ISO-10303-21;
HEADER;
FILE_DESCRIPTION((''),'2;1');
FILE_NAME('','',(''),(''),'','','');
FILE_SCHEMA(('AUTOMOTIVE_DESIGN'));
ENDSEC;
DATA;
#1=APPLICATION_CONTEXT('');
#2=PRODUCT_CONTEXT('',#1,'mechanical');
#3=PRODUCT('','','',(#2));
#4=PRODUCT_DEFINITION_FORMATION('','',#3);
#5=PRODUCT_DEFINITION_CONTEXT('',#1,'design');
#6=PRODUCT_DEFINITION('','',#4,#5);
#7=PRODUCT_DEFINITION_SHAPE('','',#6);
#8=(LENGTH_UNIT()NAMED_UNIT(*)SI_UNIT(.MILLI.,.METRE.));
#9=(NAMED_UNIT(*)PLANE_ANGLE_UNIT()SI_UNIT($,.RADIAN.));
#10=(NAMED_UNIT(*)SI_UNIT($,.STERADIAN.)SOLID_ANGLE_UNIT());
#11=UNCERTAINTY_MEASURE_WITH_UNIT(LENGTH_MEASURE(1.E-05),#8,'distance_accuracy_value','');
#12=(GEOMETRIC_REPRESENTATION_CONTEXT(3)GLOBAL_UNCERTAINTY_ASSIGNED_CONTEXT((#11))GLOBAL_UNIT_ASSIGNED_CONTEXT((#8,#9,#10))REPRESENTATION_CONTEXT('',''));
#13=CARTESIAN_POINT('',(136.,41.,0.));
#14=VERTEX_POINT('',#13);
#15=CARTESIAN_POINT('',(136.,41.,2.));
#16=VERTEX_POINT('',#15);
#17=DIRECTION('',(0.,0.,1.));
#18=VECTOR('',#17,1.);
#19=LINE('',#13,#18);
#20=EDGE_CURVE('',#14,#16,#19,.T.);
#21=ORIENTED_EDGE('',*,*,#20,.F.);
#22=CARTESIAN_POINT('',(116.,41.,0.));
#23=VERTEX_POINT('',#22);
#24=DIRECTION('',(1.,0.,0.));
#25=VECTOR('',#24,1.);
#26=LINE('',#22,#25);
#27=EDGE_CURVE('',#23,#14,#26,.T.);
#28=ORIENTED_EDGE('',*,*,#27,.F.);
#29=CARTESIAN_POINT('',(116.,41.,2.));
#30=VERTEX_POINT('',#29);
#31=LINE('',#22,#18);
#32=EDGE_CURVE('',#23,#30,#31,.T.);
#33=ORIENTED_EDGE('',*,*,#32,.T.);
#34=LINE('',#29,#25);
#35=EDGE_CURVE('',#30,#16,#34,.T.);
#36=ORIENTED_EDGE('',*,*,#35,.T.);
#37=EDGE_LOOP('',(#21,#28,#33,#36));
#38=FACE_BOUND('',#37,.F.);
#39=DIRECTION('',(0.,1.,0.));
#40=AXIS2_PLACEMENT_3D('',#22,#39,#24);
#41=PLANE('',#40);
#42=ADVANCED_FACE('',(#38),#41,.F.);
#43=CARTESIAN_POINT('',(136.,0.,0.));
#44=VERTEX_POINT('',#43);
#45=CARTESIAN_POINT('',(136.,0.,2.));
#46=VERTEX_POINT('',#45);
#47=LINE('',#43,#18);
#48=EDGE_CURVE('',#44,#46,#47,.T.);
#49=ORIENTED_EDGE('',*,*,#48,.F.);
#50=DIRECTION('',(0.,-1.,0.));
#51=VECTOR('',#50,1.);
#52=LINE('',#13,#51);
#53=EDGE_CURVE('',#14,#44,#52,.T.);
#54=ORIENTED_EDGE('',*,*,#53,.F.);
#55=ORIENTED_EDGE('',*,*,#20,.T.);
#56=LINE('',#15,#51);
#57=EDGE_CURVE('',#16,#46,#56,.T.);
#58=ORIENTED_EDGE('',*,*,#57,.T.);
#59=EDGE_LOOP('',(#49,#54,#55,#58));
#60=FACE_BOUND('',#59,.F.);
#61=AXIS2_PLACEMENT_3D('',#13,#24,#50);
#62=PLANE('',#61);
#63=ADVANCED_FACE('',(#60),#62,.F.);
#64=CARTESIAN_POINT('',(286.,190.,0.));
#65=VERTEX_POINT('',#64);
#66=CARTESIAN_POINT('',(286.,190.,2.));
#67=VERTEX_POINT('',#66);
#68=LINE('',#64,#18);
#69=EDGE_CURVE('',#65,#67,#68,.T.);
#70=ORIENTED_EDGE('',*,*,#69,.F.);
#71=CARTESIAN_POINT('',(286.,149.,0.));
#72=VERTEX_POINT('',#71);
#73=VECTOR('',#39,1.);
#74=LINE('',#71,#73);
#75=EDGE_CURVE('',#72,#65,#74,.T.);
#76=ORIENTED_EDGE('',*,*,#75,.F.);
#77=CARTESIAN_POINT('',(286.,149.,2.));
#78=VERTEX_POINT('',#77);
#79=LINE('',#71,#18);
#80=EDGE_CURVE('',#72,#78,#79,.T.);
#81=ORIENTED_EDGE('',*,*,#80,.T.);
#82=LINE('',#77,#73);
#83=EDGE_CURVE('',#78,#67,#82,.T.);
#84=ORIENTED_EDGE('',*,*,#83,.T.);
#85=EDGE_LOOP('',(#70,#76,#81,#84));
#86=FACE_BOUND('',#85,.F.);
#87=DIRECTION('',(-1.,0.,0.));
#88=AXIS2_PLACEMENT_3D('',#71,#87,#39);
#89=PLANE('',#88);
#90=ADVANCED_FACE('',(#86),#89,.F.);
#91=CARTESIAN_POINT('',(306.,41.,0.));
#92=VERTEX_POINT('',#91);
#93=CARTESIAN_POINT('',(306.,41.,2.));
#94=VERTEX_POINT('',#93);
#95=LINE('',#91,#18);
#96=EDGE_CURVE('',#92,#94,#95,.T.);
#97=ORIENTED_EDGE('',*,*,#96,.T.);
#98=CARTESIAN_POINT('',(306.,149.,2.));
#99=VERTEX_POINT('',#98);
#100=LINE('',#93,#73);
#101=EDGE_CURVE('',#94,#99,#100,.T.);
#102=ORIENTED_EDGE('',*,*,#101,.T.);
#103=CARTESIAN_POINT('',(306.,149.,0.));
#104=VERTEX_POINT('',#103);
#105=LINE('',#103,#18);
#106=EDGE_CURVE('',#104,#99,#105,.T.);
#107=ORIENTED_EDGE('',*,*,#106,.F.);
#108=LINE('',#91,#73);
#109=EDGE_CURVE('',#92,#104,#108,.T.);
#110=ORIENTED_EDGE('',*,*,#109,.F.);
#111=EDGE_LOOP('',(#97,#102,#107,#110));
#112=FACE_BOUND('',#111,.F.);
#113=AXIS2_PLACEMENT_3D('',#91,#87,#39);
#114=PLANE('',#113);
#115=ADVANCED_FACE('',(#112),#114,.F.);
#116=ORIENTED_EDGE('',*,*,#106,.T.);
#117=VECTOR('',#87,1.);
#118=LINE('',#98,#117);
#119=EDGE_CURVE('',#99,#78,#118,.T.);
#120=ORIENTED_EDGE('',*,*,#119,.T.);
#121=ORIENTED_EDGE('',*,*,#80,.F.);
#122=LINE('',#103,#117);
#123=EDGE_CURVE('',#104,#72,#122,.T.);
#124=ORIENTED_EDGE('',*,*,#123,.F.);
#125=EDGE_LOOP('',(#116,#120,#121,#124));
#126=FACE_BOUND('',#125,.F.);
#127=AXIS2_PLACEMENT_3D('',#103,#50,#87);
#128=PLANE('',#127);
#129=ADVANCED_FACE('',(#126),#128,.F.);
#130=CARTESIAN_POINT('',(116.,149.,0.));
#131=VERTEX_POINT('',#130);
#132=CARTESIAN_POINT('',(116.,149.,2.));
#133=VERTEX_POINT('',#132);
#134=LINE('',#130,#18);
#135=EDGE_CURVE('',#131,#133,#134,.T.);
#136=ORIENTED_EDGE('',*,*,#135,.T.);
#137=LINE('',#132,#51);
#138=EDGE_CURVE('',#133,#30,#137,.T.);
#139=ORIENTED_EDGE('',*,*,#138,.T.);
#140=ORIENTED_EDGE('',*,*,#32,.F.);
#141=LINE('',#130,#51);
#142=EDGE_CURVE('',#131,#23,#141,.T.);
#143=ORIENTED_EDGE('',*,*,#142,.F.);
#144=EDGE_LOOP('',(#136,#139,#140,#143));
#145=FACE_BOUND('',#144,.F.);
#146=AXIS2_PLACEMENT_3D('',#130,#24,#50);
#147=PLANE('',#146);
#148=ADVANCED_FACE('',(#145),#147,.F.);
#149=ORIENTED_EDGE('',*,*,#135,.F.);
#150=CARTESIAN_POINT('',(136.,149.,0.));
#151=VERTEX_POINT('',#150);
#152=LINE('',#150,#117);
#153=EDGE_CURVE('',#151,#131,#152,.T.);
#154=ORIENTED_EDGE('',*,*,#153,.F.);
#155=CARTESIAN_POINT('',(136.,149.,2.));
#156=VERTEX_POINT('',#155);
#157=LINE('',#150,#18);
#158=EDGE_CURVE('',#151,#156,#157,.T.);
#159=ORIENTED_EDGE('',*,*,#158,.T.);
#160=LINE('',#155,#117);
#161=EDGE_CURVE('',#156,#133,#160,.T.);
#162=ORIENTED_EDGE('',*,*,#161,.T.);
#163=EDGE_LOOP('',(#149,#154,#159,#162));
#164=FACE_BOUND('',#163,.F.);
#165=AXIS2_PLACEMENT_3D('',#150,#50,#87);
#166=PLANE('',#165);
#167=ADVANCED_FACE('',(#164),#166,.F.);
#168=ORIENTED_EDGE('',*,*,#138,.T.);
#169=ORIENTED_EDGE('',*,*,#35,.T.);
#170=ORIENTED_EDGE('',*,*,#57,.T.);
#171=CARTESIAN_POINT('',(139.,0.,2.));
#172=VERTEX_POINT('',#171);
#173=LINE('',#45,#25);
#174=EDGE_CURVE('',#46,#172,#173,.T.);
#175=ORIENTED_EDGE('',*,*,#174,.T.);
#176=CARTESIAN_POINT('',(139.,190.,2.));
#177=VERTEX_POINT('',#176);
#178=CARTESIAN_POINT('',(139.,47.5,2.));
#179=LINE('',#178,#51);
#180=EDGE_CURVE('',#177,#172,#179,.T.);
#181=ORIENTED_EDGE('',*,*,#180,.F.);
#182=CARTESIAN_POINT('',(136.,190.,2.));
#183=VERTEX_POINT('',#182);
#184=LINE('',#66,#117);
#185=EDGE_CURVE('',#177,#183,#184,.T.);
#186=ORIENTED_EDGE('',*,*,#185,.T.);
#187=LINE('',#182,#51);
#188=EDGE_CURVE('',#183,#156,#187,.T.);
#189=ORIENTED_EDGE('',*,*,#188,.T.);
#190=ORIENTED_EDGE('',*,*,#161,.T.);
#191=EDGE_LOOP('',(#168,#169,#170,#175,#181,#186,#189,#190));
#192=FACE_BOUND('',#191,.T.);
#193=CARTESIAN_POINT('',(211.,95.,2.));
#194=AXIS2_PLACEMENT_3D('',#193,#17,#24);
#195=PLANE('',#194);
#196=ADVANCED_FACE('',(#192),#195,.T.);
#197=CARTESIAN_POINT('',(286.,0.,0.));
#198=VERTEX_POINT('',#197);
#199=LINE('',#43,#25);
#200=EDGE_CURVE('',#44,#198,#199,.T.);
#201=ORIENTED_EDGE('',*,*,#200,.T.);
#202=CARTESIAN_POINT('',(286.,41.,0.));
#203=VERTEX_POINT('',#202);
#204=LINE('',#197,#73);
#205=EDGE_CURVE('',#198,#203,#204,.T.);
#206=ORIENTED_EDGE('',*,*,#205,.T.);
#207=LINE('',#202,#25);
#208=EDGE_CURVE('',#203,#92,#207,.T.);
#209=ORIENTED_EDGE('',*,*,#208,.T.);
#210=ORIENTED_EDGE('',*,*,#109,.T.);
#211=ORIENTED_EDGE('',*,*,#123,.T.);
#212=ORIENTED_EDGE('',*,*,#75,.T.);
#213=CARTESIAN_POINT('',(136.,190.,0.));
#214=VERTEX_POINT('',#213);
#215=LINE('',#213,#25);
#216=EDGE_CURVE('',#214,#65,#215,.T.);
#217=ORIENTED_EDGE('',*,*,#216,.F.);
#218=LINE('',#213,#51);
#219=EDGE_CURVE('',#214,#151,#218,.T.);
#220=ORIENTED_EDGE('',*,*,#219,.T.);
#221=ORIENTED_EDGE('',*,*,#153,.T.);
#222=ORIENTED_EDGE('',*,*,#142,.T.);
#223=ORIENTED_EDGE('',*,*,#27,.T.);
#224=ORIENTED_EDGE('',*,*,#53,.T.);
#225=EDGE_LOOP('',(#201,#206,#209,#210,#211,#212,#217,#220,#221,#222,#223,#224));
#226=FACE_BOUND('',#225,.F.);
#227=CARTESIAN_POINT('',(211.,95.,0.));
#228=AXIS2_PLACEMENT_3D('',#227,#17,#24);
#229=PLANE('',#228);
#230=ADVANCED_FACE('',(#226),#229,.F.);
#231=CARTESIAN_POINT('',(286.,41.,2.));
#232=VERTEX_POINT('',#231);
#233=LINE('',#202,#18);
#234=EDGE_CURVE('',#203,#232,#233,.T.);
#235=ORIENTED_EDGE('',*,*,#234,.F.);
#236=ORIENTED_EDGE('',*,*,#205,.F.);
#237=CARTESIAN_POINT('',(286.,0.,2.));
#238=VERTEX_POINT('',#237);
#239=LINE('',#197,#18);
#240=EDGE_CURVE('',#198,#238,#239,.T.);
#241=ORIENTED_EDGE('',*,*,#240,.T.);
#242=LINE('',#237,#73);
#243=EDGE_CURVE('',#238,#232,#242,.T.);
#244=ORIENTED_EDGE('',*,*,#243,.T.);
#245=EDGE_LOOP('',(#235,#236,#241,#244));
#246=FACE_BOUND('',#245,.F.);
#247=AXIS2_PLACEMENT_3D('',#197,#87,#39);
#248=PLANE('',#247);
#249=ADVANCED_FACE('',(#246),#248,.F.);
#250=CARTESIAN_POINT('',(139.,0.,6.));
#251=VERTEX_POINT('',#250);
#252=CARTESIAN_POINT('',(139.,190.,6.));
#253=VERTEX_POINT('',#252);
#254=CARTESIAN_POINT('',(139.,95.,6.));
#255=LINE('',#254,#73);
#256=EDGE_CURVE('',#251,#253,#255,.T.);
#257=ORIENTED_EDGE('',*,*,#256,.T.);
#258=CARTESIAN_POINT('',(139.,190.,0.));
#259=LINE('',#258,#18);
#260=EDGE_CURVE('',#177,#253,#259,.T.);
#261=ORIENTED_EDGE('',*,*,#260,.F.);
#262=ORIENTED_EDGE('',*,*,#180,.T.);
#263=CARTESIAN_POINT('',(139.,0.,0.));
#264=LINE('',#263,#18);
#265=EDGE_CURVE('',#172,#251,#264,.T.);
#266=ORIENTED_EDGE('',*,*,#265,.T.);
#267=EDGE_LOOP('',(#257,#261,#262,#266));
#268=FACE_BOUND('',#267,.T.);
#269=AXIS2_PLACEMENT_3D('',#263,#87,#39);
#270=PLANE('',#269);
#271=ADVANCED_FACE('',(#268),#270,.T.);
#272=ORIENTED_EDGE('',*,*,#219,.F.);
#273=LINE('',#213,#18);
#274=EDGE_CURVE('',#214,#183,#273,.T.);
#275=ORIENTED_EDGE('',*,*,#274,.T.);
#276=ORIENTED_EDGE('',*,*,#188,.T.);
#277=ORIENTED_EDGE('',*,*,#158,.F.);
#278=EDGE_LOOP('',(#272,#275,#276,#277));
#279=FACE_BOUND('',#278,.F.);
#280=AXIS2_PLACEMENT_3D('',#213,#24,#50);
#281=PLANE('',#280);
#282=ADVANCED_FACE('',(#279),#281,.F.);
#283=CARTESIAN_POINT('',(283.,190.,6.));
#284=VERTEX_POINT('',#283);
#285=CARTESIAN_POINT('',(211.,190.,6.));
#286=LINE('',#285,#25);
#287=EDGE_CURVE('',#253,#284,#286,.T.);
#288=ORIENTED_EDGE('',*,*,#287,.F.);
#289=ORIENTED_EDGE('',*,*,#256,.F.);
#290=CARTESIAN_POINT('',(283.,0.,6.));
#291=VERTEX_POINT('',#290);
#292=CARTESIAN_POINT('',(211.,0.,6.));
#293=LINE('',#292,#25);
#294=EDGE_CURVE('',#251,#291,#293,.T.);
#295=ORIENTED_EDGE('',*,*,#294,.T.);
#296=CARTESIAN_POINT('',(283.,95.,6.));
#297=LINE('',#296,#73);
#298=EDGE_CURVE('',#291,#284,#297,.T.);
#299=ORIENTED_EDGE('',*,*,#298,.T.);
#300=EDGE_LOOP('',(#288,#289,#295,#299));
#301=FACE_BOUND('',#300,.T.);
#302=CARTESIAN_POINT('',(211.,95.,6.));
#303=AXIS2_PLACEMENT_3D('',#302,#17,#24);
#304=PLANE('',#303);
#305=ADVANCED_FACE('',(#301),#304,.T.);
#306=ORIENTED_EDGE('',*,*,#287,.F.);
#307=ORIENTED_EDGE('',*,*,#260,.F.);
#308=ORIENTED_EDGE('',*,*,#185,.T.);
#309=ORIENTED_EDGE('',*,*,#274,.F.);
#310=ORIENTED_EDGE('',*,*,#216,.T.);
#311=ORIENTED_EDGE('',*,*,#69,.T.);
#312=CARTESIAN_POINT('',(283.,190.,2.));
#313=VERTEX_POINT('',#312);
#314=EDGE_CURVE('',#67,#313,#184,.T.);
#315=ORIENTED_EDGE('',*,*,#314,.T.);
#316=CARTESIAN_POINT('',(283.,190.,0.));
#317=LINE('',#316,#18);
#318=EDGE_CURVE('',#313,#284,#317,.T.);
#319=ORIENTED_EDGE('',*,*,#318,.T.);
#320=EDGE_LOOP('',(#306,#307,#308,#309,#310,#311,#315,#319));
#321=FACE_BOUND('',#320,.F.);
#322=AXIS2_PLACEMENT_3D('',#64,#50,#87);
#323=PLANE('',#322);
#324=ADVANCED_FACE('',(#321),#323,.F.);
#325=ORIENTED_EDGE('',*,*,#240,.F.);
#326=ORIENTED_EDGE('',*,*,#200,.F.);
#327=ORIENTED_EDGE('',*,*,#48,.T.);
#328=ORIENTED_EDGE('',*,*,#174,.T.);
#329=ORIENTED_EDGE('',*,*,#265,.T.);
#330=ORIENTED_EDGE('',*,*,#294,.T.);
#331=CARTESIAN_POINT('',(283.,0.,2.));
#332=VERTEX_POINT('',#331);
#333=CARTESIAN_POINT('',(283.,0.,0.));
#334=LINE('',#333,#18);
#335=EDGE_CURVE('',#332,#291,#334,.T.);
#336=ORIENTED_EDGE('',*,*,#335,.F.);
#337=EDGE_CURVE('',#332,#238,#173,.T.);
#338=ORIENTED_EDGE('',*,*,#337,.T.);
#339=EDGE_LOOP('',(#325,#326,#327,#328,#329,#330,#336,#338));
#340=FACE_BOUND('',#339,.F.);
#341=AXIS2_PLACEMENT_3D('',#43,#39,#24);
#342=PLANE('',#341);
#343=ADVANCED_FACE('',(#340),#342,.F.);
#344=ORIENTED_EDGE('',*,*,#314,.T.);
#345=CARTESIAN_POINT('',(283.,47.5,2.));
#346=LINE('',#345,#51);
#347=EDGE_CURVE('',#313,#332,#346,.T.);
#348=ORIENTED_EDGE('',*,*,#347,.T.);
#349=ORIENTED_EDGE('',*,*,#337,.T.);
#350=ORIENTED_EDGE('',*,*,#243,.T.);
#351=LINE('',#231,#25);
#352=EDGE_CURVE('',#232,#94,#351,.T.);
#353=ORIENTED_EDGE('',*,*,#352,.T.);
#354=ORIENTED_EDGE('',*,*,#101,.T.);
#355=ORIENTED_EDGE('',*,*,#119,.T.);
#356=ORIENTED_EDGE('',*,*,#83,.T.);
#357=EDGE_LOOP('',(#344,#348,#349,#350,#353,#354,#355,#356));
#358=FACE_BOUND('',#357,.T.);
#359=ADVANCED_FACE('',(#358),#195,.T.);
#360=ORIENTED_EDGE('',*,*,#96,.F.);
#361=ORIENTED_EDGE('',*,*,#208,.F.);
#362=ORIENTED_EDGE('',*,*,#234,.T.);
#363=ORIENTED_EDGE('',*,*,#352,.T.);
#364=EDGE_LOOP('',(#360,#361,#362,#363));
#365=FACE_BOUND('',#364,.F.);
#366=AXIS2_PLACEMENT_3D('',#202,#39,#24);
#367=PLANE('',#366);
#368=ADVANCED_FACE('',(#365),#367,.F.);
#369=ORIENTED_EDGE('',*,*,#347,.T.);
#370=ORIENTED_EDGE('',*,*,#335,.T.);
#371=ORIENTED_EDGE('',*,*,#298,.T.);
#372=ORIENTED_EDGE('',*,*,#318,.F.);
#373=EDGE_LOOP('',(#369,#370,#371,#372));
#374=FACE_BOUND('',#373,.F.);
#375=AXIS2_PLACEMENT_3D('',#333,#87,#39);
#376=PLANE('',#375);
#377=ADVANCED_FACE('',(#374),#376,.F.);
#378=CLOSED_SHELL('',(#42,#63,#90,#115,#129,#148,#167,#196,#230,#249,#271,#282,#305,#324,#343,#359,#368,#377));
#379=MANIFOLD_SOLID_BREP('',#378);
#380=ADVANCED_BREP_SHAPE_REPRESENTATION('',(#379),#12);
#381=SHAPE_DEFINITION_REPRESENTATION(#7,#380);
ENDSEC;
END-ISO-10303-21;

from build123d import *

# Parameters (mm, degrees)
PAD_DEPTH    = 2
SKETCH004_W  = 144
SKETCH004_H  = 190
PAD001_DEPTH = 6


with BuildPart() as part:
    # Sketch001 → Pad (new body)
    with BuildSketch(Plane.XY):
        Polygon((136, 0), (286, 0), (286, 41), (306, 41), (306, 149), (286, 149), (286, 190), (136, 190), (136, 149), (116, 149), (116, 41), (136, 41), align=None)
    extrude(amount=PAD_DEPTH)

    # Sketch004 → Pad001 (join)
    with BuildSketch(Plane.XY):
        with Locations((211, 95)):
            Rectangle(SKETCH004_W, SKETCH004_H)
    extrude(amount=PAD001_DEPTH)


solid = part.part
